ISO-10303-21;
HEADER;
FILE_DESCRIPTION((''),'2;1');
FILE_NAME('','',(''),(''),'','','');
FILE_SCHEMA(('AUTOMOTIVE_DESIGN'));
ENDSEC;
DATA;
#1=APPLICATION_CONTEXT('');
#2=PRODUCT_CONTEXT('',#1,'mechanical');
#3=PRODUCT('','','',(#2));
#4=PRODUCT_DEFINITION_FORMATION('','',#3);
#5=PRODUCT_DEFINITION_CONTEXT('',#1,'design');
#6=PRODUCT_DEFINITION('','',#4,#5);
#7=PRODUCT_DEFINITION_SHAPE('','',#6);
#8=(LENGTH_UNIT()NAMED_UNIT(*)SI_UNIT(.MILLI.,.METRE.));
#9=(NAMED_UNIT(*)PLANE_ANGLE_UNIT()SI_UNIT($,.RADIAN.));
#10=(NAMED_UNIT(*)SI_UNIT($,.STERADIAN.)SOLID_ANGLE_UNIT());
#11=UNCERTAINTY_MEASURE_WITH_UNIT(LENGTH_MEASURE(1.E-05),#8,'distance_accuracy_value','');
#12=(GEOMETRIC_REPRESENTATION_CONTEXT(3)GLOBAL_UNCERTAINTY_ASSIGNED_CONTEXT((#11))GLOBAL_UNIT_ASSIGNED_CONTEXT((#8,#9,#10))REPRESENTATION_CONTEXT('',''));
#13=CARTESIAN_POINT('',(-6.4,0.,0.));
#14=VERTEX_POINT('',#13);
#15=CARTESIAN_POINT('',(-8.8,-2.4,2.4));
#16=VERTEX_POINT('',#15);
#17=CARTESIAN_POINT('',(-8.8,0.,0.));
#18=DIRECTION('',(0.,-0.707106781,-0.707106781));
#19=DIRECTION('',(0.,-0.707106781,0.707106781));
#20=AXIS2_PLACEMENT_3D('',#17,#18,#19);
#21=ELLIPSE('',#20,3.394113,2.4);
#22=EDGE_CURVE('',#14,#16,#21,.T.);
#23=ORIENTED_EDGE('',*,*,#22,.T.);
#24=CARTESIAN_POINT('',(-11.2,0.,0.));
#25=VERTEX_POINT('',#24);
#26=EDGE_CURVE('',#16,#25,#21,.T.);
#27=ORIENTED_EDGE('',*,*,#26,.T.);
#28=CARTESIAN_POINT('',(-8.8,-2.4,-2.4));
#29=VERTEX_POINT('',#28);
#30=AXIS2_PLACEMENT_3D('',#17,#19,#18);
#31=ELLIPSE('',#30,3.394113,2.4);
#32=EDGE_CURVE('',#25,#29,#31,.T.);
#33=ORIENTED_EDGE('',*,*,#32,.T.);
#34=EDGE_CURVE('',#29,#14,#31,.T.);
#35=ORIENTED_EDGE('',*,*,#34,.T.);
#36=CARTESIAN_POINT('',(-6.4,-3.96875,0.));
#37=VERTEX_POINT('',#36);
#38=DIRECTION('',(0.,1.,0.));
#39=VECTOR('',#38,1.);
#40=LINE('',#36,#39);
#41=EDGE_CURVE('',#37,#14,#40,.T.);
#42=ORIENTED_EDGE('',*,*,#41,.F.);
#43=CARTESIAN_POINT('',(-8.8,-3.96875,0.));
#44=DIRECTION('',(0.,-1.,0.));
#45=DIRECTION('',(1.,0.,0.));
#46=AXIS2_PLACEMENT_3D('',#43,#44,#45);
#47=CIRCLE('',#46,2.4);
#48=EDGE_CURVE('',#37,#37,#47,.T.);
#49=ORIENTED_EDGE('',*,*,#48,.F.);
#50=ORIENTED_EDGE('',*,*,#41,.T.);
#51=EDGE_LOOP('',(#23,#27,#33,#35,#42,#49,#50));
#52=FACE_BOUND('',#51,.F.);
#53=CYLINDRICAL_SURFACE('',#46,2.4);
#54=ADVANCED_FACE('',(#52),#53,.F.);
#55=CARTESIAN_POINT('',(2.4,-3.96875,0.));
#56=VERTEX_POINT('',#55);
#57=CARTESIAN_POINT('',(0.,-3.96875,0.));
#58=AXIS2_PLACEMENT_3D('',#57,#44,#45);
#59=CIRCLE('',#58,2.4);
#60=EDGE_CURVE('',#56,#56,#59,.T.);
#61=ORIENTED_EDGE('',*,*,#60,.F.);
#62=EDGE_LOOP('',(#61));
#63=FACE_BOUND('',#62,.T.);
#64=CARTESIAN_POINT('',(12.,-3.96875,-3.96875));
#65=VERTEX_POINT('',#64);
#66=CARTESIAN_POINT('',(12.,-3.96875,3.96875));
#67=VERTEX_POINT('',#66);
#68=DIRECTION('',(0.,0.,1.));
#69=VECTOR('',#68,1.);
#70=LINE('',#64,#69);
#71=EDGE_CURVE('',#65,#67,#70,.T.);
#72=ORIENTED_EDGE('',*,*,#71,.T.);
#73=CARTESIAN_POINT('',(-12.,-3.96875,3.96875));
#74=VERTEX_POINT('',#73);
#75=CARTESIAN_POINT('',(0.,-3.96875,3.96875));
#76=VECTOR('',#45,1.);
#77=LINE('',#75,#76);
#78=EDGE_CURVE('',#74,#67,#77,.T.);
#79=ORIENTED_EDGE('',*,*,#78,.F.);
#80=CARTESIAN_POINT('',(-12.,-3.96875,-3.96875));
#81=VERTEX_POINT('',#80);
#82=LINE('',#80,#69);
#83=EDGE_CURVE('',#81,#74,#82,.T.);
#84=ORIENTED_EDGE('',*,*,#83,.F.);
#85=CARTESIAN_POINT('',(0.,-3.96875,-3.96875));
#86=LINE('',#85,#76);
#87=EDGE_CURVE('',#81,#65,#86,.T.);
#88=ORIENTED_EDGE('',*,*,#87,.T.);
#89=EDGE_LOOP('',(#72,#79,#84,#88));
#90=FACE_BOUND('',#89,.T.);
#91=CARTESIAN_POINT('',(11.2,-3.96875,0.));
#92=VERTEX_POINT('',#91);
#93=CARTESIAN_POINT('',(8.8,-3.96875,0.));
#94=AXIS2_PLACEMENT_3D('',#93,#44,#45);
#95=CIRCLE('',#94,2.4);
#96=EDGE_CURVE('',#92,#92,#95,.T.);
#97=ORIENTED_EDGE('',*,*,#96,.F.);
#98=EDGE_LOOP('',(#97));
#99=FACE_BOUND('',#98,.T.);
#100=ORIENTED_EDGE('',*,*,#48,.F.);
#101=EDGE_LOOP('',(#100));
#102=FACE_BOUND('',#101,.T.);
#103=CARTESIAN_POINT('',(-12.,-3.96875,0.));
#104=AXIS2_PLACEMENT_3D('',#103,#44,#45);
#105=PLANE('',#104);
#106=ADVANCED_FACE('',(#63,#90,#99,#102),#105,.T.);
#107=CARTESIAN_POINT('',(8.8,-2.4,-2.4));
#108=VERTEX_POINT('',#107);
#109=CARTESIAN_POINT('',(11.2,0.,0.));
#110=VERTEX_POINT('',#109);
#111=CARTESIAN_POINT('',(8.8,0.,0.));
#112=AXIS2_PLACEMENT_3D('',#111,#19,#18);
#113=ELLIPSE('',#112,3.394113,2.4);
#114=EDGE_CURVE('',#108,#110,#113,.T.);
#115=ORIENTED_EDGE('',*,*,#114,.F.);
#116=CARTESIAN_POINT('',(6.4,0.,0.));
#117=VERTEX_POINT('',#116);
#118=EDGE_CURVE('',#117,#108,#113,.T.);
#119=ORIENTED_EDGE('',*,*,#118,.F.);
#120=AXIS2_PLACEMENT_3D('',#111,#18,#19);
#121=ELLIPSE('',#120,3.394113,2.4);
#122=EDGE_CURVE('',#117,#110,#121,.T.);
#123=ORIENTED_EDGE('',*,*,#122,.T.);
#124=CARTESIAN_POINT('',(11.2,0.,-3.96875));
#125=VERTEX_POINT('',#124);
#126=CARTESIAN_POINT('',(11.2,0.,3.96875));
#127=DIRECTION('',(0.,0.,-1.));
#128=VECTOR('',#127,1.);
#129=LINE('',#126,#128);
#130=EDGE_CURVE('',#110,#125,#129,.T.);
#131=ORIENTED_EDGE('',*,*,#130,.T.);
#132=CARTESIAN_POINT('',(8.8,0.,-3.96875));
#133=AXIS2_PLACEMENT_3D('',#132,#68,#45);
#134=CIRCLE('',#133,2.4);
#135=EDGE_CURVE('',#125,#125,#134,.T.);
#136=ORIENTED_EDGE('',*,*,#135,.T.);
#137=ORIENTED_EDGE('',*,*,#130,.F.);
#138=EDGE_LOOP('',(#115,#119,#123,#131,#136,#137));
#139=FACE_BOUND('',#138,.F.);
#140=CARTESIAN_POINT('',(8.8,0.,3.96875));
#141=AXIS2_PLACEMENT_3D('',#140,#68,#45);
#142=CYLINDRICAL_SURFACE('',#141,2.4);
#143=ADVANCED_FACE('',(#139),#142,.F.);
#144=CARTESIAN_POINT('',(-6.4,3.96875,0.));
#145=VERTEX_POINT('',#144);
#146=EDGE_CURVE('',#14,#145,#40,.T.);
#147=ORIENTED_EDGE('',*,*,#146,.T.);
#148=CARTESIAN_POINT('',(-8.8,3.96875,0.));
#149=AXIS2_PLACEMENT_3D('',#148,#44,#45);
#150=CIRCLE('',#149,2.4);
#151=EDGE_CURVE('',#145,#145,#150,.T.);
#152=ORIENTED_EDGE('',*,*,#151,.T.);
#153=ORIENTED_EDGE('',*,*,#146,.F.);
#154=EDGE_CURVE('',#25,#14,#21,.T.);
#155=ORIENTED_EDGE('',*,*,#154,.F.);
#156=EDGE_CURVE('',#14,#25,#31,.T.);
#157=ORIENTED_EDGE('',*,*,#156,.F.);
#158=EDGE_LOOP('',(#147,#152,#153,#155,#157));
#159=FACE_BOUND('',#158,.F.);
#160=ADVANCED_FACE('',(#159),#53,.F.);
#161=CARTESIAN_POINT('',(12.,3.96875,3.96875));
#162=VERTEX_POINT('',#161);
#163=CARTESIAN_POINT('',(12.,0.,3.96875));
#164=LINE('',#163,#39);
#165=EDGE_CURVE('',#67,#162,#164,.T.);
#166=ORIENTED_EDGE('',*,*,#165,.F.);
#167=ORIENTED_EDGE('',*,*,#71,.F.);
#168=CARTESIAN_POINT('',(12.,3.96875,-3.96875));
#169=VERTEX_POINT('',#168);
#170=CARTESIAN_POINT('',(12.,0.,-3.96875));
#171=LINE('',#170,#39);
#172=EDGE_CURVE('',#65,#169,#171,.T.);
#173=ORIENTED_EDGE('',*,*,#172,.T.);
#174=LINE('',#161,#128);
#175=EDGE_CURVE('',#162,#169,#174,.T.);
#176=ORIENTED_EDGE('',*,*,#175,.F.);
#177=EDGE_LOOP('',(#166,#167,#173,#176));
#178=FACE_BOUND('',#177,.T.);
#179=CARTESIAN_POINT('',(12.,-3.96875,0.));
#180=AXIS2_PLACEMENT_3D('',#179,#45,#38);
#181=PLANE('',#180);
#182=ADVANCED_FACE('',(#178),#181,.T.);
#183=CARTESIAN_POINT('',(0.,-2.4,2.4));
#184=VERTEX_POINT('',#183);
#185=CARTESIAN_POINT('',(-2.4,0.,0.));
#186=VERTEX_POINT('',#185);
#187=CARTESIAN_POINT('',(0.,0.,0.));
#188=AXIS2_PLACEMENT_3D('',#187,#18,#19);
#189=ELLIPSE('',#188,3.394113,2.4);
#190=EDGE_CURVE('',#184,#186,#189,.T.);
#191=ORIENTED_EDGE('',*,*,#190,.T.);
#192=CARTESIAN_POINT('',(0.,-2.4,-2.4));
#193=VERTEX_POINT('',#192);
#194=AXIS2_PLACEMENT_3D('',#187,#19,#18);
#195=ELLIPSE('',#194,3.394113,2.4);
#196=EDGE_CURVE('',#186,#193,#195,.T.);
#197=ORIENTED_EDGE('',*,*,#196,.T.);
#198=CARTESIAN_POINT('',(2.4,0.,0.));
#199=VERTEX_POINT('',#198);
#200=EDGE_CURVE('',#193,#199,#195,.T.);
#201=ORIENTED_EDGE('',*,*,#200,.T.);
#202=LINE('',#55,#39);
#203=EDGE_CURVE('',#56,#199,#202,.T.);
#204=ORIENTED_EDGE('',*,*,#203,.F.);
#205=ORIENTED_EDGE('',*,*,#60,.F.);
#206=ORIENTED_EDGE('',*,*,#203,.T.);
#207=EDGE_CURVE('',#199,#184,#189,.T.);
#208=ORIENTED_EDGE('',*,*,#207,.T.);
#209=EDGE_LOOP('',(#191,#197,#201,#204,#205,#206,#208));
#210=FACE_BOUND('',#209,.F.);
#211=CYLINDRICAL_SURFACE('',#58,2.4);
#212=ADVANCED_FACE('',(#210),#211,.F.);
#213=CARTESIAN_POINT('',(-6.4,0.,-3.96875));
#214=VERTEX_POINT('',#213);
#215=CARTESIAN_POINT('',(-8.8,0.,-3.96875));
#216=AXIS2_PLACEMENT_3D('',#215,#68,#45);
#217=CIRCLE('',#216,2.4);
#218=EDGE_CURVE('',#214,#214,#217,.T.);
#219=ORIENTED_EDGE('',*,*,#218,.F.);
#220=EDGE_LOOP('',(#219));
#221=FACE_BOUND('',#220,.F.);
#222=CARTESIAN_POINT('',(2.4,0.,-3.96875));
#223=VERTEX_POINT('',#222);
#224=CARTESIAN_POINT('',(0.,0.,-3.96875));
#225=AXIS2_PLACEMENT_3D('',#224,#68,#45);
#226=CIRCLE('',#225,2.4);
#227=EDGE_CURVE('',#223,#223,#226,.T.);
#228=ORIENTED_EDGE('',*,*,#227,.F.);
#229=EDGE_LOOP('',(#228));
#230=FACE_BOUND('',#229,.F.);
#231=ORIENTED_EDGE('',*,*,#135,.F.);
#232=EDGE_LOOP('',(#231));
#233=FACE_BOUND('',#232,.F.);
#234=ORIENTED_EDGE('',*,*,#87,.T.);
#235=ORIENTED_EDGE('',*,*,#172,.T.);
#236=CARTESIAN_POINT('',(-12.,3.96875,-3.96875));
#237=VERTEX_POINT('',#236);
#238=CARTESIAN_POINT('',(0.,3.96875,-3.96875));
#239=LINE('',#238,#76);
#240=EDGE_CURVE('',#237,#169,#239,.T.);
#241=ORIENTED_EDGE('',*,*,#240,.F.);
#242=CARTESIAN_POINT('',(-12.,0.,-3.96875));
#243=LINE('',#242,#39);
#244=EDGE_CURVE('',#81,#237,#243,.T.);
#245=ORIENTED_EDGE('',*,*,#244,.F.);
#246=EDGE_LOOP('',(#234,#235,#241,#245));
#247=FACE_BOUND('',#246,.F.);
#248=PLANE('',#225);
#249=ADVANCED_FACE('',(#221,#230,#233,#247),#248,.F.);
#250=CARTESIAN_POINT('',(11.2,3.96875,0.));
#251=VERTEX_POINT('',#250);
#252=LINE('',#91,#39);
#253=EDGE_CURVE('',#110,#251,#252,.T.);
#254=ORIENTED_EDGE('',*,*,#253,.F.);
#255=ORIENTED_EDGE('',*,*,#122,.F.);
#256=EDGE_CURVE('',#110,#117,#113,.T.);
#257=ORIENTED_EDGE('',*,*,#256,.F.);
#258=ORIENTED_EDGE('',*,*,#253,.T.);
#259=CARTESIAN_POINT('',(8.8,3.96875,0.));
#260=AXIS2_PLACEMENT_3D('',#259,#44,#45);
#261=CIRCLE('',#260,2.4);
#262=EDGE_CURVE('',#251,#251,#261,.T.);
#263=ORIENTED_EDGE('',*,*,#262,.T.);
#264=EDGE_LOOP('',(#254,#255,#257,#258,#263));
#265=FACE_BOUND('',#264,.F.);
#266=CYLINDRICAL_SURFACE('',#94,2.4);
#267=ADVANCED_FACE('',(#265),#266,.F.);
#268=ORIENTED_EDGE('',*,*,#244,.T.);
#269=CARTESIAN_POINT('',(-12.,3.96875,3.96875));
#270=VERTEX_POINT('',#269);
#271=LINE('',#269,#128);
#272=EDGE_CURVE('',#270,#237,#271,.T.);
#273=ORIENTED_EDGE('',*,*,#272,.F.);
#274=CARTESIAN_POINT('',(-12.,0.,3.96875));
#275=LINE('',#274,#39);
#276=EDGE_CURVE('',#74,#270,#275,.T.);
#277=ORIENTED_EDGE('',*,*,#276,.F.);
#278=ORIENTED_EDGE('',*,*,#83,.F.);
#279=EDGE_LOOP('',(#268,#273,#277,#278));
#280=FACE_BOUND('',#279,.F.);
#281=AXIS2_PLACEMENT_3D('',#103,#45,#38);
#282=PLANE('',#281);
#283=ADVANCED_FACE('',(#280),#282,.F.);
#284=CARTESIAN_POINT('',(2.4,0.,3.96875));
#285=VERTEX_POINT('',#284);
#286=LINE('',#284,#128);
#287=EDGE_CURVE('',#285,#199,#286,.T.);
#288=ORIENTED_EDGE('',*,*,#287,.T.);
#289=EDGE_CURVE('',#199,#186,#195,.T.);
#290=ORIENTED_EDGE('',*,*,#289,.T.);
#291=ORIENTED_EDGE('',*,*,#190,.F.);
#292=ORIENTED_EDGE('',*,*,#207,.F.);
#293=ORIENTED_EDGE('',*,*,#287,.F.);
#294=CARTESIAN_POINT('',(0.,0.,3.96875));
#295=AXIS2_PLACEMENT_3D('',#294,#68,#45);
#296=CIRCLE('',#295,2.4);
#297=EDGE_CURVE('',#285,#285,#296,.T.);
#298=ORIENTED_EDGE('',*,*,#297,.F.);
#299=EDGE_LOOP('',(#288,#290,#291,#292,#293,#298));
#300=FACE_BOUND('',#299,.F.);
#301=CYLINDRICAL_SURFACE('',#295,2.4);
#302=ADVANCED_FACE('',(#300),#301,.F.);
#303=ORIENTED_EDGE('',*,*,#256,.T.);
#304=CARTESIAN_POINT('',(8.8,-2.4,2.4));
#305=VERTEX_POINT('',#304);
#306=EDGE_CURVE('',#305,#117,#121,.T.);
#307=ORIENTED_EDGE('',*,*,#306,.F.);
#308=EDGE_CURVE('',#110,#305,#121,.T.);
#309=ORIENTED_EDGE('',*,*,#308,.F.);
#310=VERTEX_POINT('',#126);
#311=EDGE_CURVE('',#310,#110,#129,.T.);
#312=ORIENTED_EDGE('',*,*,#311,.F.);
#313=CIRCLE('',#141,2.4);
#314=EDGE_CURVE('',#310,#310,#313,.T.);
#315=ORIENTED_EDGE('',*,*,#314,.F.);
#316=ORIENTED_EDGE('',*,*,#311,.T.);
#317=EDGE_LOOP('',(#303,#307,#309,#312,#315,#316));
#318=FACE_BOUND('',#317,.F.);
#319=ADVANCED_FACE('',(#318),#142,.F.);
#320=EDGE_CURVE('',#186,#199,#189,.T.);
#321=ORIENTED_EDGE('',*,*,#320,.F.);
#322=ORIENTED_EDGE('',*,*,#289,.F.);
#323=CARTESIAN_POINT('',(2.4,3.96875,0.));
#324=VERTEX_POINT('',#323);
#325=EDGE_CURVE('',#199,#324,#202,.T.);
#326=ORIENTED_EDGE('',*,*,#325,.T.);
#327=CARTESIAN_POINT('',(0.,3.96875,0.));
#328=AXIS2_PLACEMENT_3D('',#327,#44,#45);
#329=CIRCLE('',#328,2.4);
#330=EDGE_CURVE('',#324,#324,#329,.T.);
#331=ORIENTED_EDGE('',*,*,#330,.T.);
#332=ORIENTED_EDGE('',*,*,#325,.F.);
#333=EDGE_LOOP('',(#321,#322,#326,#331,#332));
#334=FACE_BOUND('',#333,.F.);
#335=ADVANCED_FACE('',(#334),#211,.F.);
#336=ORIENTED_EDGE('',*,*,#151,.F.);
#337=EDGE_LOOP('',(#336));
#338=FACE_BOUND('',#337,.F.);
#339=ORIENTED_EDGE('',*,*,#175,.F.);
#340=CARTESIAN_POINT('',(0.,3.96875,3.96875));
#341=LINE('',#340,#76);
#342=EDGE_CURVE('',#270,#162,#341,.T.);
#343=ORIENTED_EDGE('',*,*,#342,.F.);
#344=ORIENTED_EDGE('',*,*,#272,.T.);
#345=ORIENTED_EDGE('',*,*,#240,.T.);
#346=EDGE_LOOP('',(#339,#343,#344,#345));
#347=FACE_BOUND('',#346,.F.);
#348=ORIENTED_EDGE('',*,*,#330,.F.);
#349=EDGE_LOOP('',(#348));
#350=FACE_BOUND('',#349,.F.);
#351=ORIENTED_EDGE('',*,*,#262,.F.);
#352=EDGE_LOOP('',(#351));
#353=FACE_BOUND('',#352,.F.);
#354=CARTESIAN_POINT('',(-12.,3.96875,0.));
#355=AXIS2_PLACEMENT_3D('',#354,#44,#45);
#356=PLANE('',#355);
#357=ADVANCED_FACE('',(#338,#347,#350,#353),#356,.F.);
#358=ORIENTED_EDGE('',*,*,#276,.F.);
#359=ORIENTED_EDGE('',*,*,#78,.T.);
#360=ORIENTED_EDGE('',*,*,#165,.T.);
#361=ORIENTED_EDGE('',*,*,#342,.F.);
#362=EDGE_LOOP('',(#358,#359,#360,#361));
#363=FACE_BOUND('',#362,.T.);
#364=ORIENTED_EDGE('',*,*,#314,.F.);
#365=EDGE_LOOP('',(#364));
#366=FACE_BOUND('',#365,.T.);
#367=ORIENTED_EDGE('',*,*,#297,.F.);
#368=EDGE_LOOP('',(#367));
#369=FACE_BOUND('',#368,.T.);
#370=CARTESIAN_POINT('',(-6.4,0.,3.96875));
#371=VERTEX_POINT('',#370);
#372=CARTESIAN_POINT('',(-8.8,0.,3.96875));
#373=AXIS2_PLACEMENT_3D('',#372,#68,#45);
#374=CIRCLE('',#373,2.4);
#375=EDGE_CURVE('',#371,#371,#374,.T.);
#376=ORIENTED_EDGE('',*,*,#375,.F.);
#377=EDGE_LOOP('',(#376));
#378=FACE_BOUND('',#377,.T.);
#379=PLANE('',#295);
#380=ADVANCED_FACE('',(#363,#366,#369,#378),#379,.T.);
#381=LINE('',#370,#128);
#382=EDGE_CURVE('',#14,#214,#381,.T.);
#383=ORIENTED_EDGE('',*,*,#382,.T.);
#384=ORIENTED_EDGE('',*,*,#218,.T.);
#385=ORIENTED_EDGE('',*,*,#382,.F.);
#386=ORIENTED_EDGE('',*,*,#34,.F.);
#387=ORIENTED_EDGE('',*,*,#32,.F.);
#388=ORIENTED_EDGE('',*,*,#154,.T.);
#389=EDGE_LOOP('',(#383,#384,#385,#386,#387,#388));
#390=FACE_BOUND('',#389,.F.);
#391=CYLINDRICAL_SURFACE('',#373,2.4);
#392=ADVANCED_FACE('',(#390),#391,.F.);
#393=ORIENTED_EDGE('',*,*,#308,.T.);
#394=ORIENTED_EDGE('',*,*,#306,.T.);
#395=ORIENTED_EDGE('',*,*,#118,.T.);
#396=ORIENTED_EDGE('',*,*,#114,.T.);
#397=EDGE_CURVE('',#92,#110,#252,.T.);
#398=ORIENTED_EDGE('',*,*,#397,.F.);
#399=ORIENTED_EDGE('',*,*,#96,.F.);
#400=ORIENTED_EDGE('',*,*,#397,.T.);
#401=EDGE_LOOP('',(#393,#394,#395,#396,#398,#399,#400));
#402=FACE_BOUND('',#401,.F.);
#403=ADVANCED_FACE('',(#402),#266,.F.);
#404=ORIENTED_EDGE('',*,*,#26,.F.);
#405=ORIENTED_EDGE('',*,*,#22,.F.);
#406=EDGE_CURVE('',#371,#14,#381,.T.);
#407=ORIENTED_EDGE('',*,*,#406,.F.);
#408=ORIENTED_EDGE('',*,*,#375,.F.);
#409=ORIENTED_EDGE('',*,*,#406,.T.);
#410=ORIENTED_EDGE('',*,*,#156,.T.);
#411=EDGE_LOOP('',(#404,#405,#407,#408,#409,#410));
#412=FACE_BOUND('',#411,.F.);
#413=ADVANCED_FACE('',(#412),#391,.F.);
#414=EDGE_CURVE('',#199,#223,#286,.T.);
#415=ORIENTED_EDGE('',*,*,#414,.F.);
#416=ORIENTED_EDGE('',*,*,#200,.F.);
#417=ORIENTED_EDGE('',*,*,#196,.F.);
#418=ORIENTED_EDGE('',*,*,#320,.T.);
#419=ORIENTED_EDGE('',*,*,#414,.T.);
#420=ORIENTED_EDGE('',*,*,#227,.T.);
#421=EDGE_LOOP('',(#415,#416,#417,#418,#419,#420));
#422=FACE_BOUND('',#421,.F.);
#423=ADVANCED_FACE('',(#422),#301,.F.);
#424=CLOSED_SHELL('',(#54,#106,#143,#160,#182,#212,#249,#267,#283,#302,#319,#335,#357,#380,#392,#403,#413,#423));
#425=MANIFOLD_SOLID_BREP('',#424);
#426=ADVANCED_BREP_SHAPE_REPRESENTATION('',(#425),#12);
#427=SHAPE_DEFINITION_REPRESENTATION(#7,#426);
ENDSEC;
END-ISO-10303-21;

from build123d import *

# Parameters (mm, degrees)
F0_W     = 24
F0_H     = 7.9375
F1_DEPTH = 3.96875
F2_R     = 2.4
F3_DEPTH = 7.9385
F4_R     = 2.4
F5_DEPTH = 7.9385


with BuildPart() as f1:
    # F0 (on Top) → F1 (new body, symmetric)
    with BuildSketch(Plane.XY):
        Rectangle(F0_W, F0_H)
    extrude(amount=F1_DEPTH, both=True)

    # F2 (on face) → F3 (cut, through all)
    with BuildSketch(Plane.XZ.offset(3.96875)):
        Circle(F2_R)
        with Locations((8.8, 0)):
            Circle(F2_R)
        with Locations((-8.8, 0)):
            Circle(F2_R)
    extrude(amount=-F3_DEPTH, mode=Mode.SUBTRACT)

    # F4 (on face) → F5 (cut, through all)
    with BuildSketch(Plane.XY.offset(3.96875)):
        Circle(F4_R)
        with Locations((8.8, 0)):
            Circle(F4_R)
        with Locations((-8.8, 0)):
            Circle(F4_R)
    extrude(amount=-F5_DEPTH, mode=Mode.SUBTRACT)


solid = f1.part
